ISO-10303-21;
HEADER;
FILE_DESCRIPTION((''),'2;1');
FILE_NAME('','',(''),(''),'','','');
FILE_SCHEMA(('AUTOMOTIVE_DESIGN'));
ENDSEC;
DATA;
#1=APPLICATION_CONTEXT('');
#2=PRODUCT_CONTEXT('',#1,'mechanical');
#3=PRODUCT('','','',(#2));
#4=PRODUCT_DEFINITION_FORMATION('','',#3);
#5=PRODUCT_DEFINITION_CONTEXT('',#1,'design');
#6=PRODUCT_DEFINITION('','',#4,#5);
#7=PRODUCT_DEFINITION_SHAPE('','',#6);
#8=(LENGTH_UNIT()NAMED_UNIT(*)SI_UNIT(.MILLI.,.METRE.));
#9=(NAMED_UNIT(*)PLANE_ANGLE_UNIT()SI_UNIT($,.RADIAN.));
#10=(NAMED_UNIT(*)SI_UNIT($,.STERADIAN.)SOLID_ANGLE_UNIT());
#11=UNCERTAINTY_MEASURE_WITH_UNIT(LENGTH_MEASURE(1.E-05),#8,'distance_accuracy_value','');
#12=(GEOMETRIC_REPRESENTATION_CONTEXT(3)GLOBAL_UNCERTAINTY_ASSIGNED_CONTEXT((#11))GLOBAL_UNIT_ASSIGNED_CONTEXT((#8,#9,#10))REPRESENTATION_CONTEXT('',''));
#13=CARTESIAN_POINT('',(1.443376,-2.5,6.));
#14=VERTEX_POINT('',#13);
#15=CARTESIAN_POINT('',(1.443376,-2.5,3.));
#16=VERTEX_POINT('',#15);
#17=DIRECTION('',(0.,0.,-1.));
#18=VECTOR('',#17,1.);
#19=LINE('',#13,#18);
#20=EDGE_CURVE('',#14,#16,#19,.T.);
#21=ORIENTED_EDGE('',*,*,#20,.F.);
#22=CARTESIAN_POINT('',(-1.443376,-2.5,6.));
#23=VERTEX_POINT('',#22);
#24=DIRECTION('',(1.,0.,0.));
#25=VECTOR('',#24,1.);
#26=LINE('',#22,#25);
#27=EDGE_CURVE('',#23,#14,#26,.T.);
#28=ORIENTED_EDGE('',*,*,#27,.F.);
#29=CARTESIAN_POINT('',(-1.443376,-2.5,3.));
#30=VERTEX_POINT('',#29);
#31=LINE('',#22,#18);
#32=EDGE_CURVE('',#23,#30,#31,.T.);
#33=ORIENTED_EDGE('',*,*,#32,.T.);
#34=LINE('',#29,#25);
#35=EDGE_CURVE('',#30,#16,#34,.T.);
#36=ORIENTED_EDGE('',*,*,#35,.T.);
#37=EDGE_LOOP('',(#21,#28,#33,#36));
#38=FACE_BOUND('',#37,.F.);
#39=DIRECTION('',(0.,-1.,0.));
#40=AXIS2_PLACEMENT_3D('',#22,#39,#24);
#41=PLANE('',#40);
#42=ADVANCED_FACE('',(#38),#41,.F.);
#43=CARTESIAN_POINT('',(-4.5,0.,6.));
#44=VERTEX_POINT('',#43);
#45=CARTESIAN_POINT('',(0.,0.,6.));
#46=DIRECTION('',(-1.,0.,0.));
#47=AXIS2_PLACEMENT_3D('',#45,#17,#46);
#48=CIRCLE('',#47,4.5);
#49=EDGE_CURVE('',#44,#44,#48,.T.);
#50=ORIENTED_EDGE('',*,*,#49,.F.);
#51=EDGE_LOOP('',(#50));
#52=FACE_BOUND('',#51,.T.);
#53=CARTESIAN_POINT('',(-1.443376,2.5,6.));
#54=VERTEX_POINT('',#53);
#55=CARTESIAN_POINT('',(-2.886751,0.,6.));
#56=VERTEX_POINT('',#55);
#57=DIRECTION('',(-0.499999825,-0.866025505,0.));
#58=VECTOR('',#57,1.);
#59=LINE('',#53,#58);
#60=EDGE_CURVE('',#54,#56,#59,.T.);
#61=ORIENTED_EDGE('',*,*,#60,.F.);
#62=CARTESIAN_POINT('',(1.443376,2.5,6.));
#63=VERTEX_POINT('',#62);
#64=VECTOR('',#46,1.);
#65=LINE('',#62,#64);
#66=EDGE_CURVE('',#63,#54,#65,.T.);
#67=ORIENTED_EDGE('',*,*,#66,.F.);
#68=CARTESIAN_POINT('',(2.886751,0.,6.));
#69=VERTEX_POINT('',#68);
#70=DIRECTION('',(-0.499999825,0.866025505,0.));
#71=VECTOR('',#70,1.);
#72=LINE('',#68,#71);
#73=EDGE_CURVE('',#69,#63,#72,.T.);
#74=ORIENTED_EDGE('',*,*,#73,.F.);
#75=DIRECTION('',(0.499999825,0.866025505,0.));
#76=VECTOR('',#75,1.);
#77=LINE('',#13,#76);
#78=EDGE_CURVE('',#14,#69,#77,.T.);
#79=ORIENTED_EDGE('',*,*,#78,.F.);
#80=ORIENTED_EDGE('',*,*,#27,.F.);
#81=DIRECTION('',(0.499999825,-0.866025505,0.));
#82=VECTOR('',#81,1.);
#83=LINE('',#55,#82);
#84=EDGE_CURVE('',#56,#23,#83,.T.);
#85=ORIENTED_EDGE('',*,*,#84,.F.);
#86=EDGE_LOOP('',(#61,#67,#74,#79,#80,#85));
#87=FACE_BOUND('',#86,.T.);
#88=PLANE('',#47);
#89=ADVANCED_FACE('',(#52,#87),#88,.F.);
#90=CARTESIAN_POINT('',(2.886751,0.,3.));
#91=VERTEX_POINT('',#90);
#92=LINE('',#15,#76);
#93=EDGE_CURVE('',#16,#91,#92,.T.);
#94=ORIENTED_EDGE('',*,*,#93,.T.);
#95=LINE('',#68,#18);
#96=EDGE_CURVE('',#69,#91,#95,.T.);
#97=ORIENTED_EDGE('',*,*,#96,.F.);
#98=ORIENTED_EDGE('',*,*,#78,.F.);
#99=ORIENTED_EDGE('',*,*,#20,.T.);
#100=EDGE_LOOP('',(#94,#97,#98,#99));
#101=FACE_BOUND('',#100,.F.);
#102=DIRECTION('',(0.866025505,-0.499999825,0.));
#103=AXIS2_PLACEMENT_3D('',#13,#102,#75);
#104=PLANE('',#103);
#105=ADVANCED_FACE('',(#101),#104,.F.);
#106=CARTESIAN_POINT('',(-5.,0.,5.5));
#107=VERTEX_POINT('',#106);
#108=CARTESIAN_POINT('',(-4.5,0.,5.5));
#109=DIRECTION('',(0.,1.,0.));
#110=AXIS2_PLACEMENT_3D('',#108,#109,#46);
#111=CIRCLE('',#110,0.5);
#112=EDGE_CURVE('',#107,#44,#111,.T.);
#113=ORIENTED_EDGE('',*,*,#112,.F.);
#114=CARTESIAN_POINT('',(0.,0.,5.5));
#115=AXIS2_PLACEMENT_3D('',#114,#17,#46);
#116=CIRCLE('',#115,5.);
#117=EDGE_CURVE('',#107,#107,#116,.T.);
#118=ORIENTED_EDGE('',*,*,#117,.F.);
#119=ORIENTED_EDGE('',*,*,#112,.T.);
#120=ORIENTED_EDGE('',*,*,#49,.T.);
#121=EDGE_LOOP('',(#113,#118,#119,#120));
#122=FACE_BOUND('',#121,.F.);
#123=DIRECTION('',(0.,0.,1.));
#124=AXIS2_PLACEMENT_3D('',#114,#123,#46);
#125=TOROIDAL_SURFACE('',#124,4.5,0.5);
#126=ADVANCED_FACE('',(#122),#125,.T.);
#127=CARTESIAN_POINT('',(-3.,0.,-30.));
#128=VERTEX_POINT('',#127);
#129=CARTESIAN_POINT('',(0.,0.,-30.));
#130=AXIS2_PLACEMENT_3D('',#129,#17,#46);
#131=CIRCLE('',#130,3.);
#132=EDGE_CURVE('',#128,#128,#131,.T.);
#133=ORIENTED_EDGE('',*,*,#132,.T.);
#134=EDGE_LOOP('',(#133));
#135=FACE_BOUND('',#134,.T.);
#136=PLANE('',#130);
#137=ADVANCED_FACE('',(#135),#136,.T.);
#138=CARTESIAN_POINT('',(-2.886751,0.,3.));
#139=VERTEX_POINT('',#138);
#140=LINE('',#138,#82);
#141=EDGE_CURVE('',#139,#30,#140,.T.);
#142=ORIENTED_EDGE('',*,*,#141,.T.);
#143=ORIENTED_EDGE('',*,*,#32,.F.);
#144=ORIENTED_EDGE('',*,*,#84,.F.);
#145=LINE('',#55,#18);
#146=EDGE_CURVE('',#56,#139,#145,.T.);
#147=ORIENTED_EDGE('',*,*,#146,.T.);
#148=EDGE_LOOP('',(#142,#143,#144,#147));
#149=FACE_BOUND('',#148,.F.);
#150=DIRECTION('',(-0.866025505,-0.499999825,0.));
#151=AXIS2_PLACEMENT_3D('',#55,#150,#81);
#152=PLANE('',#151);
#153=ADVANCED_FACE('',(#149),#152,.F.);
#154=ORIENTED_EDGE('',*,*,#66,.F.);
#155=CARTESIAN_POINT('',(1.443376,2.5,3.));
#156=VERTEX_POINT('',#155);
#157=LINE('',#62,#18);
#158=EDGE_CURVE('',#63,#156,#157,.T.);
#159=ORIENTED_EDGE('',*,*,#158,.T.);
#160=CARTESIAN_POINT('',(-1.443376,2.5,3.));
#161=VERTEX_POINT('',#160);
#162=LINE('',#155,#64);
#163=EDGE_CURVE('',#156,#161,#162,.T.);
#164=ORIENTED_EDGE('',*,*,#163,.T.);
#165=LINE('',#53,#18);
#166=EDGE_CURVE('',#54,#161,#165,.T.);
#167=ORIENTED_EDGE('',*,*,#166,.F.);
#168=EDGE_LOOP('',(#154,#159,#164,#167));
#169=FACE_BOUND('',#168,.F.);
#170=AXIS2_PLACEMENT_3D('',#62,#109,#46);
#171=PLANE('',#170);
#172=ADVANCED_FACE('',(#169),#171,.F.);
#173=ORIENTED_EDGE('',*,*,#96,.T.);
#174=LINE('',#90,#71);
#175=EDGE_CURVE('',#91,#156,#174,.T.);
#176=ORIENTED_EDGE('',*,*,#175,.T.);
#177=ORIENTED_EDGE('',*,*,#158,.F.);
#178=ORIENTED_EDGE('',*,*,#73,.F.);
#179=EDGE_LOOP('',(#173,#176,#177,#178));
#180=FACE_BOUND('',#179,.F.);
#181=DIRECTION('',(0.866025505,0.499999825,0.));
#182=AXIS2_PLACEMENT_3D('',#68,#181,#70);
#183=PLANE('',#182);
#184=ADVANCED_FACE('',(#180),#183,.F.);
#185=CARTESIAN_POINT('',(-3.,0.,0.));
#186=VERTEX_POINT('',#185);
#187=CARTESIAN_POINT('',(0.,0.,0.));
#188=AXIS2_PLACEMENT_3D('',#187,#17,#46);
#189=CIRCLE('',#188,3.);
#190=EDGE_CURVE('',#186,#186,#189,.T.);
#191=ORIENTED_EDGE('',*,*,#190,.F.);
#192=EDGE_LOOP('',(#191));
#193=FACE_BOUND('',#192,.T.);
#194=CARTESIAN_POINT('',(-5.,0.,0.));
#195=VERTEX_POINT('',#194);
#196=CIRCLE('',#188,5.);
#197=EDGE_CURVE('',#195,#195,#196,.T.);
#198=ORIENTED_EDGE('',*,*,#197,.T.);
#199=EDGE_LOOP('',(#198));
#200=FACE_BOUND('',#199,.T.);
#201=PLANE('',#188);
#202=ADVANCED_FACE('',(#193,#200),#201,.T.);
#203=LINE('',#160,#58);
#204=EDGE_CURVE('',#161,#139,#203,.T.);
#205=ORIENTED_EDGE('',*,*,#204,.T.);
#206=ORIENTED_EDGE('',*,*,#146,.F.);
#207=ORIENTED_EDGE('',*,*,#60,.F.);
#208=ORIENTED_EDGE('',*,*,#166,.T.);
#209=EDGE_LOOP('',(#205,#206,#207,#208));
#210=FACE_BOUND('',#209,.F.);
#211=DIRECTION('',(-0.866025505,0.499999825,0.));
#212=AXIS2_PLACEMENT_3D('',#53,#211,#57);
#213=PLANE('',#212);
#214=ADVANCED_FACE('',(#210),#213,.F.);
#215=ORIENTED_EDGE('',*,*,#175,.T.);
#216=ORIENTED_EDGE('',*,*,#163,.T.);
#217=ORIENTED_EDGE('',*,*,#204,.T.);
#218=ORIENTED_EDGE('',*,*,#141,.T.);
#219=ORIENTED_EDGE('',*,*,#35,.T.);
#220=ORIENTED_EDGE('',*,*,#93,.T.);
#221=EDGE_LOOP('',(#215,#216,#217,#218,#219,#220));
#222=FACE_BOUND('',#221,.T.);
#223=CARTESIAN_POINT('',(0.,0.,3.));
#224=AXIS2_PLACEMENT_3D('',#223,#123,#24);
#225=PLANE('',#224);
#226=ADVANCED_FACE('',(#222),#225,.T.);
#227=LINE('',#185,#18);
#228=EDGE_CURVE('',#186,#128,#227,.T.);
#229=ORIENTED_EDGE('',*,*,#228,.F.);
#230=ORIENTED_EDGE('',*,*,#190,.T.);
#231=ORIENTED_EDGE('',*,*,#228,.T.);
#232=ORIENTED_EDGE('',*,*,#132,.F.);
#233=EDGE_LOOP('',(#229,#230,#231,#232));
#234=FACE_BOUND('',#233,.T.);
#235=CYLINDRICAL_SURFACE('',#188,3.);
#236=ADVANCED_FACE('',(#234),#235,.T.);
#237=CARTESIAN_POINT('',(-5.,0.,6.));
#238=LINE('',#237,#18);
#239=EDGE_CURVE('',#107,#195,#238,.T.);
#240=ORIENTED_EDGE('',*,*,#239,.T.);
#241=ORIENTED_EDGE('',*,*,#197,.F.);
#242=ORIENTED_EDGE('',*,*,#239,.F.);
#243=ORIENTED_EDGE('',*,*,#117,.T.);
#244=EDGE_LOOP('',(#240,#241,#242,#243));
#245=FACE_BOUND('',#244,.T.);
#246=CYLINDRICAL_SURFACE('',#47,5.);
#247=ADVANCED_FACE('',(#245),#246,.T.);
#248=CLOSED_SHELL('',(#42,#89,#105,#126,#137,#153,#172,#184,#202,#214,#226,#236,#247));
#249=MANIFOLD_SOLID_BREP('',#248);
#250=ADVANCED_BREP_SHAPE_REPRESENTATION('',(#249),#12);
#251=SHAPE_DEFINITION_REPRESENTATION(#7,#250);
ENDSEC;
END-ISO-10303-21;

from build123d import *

# Parameters (mm, degrees)
F3_DEPTH = 3
F4_R     = 0.5


with BuildPart() as f1:
    # F0 (on Front) → F1 (revolve)
    with BuildSketch(Plane.XZ):
        Polygon((-3, -30), (0, -30), (0, 6), (-5, 6), (-5, 0), (-3, 0), align=None)
    revolve(axis=Axis((0, 0, -12), (0, 0, -1)))

    # F2 (on face) → F3 (cut)
    with BuildSketch(Plane.XY.offset(6)):
        Polygon((1.443376, 2.5), (-1.443376, 2.5), (-2.886751, 0), (-1.443376, -2.5), (1.443376, -2.5), (2.886751, 0), align=None)
    extrude(amount=-F3_DEPTH, mode=Mode.SUBTRACT)

    # F4
    f4_edges = [f1.edges().sort_by_distance(p)[0] for p in [
        (5, 0, 6),
    ]]
    fillet(f4_edges, radius=F4_R)


solid = f1.part
